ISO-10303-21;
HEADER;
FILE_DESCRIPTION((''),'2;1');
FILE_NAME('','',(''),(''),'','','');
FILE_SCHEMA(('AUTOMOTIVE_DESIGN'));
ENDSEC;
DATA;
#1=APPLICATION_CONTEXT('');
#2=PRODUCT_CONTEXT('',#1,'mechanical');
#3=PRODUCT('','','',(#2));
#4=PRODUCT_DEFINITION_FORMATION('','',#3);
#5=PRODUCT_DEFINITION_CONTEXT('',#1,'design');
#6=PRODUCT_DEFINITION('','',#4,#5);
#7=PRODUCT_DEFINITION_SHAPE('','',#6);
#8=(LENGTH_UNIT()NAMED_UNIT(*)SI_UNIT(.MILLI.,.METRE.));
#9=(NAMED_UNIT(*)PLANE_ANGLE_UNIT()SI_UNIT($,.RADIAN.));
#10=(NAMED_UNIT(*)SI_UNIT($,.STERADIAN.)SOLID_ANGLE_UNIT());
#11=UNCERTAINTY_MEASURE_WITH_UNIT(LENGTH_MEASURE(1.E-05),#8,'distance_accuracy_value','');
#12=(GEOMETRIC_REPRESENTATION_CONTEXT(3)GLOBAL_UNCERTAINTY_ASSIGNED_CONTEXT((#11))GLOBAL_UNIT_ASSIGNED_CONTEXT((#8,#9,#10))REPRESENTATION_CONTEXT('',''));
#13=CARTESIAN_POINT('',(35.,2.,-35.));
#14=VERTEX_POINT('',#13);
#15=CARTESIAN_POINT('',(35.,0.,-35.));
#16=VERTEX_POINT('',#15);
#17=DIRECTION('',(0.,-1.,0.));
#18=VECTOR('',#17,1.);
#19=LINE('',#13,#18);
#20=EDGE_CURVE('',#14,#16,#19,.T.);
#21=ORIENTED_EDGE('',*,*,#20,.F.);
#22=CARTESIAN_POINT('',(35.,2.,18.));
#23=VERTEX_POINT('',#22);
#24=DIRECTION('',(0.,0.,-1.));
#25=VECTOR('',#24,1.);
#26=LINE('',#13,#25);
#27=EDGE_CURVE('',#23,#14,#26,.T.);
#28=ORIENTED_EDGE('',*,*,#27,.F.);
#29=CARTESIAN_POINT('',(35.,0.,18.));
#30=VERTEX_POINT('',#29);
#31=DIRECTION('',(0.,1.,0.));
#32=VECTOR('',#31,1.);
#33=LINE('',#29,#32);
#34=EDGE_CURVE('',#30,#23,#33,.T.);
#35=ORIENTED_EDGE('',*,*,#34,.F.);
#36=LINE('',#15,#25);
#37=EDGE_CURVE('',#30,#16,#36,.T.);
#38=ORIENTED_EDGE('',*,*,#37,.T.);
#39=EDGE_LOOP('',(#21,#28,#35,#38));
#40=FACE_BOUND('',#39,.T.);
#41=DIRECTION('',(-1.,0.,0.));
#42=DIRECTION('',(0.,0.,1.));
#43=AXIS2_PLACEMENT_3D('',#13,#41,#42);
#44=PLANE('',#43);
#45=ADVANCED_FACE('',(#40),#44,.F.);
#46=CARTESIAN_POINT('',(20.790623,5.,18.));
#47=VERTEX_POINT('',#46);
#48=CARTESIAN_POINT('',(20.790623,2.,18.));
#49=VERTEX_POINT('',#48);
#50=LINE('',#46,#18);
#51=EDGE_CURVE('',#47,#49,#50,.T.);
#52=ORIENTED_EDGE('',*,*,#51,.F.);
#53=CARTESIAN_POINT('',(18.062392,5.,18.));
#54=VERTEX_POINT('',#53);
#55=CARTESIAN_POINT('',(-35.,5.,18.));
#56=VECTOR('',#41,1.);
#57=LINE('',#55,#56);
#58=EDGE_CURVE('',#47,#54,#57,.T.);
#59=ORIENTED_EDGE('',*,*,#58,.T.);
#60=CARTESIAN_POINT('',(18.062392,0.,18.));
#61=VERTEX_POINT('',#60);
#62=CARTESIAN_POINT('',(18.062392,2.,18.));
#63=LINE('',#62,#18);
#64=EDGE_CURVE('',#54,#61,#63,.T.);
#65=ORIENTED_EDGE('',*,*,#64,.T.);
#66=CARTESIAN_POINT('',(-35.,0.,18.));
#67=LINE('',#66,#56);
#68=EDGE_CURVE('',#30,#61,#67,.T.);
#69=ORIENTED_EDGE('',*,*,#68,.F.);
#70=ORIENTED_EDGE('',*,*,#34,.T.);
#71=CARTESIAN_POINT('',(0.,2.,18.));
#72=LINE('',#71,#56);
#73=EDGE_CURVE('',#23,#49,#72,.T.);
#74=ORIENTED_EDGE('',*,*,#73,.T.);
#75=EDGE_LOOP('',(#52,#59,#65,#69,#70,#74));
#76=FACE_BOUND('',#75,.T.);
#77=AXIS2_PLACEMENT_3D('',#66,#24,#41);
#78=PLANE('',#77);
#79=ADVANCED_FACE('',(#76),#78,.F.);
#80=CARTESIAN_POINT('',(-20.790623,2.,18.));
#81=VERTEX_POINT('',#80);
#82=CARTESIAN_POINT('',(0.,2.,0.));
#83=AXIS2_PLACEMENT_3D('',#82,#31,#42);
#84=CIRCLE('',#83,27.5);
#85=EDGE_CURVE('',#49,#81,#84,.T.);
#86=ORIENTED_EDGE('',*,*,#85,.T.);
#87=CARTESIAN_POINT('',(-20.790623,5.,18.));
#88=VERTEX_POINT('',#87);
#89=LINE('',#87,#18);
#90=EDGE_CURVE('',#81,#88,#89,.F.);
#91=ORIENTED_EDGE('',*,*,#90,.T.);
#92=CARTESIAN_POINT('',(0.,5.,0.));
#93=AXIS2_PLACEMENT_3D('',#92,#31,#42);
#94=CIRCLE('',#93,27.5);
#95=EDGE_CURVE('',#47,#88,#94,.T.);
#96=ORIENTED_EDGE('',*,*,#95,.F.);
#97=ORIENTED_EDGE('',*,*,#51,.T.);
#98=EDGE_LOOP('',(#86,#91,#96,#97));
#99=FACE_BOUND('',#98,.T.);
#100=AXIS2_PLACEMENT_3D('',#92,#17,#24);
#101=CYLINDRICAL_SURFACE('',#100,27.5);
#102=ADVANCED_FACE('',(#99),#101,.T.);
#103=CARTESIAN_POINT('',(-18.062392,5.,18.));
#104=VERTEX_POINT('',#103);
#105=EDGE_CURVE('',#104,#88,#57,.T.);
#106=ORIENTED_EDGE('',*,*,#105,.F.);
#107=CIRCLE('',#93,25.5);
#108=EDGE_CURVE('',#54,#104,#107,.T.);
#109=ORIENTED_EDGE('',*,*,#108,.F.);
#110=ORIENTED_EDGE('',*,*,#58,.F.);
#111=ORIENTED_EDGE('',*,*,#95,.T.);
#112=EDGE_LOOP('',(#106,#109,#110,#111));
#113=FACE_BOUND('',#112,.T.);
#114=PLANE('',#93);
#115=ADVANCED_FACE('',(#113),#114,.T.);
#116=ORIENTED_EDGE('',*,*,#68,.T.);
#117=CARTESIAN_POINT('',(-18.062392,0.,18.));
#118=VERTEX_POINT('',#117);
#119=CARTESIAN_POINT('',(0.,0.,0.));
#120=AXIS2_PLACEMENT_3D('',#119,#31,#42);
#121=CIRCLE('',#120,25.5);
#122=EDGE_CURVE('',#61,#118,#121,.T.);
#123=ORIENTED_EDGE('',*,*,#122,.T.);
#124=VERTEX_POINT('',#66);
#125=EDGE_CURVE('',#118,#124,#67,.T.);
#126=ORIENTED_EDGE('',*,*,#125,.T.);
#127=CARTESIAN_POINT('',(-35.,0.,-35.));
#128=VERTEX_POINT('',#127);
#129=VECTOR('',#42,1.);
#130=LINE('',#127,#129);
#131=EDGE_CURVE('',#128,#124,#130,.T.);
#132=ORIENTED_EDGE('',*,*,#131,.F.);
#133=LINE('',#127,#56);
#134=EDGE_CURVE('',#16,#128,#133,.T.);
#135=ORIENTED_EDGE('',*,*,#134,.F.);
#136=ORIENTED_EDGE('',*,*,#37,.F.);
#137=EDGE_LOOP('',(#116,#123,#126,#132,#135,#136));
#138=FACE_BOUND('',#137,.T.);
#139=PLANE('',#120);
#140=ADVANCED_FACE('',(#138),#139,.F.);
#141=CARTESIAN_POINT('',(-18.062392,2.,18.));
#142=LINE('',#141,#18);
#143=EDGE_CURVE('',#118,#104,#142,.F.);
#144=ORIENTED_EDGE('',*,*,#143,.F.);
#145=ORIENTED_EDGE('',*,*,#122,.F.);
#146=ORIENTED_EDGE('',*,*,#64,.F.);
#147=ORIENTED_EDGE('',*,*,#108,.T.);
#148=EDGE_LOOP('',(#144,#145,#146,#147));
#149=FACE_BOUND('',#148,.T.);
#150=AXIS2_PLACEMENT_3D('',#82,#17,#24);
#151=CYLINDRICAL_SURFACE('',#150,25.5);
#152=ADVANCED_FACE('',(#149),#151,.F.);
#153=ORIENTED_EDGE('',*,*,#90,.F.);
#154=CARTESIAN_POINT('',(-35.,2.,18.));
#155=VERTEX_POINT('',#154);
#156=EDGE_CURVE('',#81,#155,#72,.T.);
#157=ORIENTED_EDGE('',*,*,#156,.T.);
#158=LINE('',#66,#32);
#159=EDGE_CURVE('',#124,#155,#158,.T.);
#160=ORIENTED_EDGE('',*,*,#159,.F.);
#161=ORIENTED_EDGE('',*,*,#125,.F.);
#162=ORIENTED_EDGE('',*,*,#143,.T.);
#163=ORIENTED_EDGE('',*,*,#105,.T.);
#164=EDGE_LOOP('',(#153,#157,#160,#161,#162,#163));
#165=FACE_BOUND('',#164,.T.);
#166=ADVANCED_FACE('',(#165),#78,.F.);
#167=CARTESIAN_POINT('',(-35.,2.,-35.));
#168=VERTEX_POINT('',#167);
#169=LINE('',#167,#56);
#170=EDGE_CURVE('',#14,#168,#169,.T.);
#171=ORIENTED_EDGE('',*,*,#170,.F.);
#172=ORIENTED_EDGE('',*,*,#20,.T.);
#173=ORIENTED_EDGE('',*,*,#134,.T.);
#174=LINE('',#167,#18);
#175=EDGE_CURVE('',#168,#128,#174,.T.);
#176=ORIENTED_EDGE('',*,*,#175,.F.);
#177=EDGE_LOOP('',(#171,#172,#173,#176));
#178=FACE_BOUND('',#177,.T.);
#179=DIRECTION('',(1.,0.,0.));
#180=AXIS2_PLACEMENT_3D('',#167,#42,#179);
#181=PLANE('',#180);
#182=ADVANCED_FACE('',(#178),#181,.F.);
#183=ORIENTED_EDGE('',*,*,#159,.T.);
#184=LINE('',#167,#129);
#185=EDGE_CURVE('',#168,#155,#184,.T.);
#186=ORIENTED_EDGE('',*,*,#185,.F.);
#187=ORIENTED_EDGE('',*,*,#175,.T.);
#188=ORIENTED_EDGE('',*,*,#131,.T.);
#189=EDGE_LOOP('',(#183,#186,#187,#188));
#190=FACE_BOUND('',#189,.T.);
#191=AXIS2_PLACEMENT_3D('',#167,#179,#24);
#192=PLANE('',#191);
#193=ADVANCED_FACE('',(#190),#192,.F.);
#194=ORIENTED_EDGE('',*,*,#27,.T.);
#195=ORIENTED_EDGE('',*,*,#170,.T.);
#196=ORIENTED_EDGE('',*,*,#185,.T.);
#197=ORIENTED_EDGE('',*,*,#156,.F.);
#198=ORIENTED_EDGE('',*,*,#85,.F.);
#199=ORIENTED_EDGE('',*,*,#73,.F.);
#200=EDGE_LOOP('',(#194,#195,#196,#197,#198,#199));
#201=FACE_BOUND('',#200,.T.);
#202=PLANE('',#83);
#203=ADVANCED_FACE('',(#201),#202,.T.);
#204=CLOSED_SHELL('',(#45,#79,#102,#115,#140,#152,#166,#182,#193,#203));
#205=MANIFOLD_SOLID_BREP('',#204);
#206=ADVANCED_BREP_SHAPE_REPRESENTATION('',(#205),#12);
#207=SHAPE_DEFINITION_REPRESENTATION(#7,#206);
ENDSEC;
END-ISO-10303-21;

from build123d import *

# Parameters (mm, degrees)
CROQUIS1_W              = 70
CROQUIS1_H              = 70
CROQUIS1_R              = 25.5
SALIENTE_EXTRUIR1_DEPTH = 2
CROQUIS2_R              = 27.5
CROQUIS2_R_2            = 25.5
SALIENTE_EXTRUIR2_DEPTH = 3
CROQUIS3_W              = 70
CROQUIS3_H              = 17
CORTAR_EXTRUIR1_DEPTH   = 50.749371855


with BuildPart() as part:
    # Croquis1 → Saliente-Extruir1 (new body)
    with BuildSketch(Plane(origin=(0, 0, 0), x_dir=(1, 0, 0), z_dir=(0, 1, 0))):
        Rectangle(CROQUIS1_W, CROQUIS1_H)
        with Locations(Location((0, 0, 0), (0, 0, 270))):
            Circle(CROQUIS1_R, mode=Mode.SUBTRACT)
    extrude(amount=SALIENTE_EXTRUIR1_DEPTH)

    # Croquis2 → Saliente-Extruir2 (add)
    with BuildSketch(Plane(origin=(0, 2, 0), x_dir=(1, 0, 0), z_dir=(0, 1, 0))):
        with Locations(Location((0, 0, 0), (0, 0, 270))):
            Circle(CROQUIS2_R)
        with Locations(Location((0, 0, 0), (0, 0, 270))):
            Circle(CROQUIS2_R_2, mode=Mode.SUBTRACT)
    extrude(amount=SALIENTE_EXTRUIR2_DEPTH)

    # Croquis3 → Cortar-Extruir1 (cut, through all)
    with BuildSketch(Plane(origin=(0, 5, 0), x_dir=(1, 0, 0), z_dir=(0, 1, 0))):
        with Locations((0, -26.5)):
            Rectangle(CROQUIS3_W, CROQUIS3_H)
    extrude(amount=-CORTAR_EXTRUIR1_DEPTH, mode=Mode.SUBTRACT)


solid = part.part
